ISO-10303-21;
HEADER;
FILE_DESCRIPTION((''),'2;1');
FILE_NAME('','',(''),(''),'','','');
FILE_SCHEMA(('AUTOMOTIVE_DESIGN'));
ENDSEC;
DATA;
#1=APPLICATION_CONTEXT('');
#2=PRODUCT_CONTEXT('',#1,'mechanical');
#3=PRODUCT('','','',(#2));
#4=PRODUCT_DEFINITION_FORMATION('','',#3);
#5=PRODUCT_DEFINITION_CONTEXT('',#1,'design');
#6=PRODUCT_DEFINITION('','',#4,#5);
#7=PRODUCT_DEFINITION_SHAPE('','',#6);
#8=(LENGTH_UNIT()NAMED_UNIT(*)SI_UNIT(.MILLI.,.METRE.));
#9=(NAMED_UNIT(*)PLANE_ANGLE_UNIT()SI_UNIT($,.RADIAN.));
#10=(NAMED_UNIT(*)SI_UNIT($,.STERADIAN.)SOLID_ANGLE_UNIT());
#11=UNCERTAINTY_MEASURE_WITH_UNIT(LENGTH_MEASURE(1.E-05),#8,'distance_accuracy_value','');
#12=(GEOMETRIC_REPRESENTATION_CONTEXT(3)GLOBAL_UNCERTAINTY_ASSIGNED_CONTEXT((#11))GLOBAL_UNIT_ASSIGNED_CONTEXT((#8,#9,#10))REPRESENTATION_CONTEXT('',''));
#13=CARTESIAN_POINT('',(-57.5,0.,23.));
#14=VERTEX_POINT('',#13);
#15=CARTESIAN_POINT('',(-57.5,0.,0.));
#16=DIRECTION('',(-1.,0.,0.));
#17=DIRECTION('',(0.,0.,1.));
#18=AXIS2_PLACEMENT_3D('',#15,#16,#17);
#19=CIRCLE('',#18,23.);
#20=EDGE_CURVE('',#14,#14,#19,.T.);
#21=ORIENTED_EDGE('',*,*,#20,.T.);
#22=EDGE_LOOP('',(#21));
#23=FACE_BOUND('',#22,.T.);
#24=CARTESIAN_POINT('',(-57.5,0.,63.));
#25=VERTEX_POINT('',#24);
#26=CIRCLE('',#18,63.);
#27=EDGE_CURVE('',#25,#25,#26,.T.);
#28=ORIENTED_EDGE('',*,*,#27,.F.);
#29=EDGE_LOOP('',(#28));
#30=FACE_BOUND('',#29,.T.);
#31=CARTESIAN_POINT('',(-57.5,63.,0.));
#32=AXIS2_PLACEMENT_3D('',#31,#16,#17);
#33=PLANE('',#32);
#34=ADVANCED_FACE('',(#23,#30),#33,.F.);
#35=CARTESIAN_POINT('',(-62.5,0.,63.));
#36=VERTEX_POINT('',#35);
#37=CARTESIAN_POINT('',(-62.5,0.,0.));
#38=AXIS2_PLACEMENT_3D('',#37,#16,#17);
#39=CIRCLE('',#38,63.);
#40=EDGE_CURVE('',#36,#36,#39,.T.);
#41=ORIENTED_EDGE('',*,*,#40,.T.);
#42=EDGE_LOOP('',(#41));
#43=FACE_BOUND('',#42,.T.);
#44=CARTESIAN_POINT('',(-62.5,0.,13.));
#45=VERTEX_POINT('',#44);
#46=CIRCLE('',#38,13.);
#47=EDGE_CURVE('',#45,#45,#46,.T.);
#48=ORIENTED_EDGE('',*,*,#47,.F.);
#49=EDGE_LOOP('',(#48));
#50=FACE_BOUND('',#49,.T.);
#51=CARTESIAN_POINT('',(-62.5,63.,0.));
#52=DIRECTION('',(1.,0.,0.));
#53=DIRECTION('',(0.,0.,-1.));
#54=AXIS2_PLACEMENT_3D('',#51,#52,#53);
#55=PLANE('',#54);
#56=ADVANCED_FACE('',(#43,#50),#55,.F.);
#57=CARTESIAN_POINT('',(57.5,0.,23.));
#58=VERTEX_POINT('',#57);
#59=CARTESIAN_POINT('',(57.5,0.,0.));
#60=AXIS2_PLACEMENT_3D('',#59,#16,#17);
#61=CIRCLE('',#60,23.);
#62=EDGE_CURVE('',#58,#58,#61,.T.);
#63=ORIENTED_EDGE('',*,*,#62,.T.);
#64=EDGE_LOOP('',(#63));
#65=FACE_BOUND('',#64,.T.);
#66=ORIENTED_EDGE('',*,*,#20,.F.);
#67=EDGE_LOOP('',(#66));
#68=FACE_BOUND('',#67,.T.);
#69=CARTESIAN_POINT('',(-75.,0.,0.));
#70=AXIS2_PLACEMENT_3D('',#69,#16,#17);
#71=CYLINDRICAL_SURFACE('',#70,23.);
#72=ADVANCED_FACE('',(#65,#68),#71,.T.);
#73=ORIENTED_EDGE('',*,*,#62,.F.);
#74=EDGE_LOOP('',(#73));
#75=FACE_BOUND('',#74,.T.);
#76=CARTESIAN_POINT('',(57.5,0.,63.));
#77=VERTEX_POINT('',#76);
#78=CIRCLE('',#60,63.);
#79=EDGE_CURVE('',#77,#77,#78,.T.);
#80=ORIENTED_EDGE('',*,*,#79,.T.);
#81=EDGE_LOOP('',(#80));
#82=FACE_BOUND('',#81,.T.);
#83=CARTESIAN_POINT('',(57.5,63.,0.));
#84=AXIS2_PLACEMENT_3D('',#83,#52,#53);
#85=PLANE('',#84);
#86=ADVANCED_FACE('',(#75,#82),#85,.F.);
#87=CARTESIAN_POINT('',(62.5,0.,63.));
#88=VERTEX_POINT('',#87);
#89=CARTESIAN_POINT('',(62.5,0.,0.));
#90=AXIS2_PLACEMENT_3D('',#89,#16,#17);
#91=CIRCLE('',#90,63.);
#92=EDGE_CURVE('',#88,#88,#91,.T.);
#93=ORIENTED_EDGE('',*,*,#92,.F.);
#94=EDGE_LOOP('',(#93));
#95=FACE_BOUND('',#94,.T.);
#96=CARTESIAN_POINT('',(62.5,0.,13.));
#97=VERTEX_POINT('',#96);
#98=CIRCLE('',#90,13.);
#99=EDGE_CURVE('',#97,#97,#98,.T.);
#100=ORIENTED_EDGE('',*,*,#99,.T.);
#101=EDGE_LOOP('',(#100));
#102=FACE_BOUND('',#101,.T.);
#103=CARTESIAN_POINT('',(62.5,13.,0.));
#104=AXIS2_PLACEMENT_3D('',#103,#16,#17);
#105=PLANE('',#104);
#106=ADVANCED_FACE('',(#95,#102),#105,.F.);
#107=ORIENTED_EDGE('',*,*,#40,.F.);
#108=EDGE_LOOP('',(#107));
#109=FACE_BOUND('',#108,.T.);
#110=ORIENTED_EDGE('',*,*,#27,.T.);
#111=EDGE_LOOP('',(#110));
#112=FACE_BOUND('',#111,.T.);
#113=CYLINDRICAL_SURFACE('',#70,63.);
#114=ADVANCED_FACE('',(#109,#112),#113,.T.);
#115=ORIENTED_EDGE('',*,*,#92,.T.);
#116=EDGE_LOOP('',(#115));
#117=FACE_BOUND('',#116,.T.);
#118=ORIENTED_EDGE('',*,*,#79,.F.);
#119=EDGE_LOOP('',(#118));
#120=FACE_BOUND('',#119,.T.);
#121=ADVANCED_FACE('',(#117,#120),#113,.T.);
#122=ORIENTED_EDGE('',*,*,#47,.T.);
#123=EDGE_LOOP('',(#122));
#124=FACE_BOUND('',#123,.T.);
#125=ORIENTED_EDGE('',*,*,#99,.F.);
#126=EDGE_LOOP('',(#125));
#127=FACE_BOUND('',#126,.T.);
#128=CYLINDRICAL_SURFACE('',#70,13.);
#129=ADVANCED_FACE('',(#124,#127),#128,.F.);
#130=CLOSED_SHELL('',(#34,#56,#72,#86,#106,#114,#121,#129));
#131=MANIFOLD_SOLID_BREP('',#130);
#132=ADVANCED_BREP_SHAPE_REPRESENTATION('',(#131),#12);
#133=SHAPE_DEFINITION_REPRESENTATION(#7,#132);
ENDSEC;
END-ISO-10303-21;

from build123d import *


with BuildPart() as part:
    # Sketch1 → Revolve1 (revolve)
    with BuildSketch(Plane.XY, mode=Mode.PRIVATE) as revolve1_sk:
        Polygon((-62.5, 63), (-57.5, 63), (-57.5, 23), (57.5, 23), (57.5, 63), (62.5, 63), (62.5, 13), (-62.5, 13), align=None)
    revolve(revolve1_sk.sketch.rotate(Axis((-75, 0, 0), (1, 0, 0)), 90), axis=Axis((-75, 0, 0), (1, 0, 0)))


solid = part.part
